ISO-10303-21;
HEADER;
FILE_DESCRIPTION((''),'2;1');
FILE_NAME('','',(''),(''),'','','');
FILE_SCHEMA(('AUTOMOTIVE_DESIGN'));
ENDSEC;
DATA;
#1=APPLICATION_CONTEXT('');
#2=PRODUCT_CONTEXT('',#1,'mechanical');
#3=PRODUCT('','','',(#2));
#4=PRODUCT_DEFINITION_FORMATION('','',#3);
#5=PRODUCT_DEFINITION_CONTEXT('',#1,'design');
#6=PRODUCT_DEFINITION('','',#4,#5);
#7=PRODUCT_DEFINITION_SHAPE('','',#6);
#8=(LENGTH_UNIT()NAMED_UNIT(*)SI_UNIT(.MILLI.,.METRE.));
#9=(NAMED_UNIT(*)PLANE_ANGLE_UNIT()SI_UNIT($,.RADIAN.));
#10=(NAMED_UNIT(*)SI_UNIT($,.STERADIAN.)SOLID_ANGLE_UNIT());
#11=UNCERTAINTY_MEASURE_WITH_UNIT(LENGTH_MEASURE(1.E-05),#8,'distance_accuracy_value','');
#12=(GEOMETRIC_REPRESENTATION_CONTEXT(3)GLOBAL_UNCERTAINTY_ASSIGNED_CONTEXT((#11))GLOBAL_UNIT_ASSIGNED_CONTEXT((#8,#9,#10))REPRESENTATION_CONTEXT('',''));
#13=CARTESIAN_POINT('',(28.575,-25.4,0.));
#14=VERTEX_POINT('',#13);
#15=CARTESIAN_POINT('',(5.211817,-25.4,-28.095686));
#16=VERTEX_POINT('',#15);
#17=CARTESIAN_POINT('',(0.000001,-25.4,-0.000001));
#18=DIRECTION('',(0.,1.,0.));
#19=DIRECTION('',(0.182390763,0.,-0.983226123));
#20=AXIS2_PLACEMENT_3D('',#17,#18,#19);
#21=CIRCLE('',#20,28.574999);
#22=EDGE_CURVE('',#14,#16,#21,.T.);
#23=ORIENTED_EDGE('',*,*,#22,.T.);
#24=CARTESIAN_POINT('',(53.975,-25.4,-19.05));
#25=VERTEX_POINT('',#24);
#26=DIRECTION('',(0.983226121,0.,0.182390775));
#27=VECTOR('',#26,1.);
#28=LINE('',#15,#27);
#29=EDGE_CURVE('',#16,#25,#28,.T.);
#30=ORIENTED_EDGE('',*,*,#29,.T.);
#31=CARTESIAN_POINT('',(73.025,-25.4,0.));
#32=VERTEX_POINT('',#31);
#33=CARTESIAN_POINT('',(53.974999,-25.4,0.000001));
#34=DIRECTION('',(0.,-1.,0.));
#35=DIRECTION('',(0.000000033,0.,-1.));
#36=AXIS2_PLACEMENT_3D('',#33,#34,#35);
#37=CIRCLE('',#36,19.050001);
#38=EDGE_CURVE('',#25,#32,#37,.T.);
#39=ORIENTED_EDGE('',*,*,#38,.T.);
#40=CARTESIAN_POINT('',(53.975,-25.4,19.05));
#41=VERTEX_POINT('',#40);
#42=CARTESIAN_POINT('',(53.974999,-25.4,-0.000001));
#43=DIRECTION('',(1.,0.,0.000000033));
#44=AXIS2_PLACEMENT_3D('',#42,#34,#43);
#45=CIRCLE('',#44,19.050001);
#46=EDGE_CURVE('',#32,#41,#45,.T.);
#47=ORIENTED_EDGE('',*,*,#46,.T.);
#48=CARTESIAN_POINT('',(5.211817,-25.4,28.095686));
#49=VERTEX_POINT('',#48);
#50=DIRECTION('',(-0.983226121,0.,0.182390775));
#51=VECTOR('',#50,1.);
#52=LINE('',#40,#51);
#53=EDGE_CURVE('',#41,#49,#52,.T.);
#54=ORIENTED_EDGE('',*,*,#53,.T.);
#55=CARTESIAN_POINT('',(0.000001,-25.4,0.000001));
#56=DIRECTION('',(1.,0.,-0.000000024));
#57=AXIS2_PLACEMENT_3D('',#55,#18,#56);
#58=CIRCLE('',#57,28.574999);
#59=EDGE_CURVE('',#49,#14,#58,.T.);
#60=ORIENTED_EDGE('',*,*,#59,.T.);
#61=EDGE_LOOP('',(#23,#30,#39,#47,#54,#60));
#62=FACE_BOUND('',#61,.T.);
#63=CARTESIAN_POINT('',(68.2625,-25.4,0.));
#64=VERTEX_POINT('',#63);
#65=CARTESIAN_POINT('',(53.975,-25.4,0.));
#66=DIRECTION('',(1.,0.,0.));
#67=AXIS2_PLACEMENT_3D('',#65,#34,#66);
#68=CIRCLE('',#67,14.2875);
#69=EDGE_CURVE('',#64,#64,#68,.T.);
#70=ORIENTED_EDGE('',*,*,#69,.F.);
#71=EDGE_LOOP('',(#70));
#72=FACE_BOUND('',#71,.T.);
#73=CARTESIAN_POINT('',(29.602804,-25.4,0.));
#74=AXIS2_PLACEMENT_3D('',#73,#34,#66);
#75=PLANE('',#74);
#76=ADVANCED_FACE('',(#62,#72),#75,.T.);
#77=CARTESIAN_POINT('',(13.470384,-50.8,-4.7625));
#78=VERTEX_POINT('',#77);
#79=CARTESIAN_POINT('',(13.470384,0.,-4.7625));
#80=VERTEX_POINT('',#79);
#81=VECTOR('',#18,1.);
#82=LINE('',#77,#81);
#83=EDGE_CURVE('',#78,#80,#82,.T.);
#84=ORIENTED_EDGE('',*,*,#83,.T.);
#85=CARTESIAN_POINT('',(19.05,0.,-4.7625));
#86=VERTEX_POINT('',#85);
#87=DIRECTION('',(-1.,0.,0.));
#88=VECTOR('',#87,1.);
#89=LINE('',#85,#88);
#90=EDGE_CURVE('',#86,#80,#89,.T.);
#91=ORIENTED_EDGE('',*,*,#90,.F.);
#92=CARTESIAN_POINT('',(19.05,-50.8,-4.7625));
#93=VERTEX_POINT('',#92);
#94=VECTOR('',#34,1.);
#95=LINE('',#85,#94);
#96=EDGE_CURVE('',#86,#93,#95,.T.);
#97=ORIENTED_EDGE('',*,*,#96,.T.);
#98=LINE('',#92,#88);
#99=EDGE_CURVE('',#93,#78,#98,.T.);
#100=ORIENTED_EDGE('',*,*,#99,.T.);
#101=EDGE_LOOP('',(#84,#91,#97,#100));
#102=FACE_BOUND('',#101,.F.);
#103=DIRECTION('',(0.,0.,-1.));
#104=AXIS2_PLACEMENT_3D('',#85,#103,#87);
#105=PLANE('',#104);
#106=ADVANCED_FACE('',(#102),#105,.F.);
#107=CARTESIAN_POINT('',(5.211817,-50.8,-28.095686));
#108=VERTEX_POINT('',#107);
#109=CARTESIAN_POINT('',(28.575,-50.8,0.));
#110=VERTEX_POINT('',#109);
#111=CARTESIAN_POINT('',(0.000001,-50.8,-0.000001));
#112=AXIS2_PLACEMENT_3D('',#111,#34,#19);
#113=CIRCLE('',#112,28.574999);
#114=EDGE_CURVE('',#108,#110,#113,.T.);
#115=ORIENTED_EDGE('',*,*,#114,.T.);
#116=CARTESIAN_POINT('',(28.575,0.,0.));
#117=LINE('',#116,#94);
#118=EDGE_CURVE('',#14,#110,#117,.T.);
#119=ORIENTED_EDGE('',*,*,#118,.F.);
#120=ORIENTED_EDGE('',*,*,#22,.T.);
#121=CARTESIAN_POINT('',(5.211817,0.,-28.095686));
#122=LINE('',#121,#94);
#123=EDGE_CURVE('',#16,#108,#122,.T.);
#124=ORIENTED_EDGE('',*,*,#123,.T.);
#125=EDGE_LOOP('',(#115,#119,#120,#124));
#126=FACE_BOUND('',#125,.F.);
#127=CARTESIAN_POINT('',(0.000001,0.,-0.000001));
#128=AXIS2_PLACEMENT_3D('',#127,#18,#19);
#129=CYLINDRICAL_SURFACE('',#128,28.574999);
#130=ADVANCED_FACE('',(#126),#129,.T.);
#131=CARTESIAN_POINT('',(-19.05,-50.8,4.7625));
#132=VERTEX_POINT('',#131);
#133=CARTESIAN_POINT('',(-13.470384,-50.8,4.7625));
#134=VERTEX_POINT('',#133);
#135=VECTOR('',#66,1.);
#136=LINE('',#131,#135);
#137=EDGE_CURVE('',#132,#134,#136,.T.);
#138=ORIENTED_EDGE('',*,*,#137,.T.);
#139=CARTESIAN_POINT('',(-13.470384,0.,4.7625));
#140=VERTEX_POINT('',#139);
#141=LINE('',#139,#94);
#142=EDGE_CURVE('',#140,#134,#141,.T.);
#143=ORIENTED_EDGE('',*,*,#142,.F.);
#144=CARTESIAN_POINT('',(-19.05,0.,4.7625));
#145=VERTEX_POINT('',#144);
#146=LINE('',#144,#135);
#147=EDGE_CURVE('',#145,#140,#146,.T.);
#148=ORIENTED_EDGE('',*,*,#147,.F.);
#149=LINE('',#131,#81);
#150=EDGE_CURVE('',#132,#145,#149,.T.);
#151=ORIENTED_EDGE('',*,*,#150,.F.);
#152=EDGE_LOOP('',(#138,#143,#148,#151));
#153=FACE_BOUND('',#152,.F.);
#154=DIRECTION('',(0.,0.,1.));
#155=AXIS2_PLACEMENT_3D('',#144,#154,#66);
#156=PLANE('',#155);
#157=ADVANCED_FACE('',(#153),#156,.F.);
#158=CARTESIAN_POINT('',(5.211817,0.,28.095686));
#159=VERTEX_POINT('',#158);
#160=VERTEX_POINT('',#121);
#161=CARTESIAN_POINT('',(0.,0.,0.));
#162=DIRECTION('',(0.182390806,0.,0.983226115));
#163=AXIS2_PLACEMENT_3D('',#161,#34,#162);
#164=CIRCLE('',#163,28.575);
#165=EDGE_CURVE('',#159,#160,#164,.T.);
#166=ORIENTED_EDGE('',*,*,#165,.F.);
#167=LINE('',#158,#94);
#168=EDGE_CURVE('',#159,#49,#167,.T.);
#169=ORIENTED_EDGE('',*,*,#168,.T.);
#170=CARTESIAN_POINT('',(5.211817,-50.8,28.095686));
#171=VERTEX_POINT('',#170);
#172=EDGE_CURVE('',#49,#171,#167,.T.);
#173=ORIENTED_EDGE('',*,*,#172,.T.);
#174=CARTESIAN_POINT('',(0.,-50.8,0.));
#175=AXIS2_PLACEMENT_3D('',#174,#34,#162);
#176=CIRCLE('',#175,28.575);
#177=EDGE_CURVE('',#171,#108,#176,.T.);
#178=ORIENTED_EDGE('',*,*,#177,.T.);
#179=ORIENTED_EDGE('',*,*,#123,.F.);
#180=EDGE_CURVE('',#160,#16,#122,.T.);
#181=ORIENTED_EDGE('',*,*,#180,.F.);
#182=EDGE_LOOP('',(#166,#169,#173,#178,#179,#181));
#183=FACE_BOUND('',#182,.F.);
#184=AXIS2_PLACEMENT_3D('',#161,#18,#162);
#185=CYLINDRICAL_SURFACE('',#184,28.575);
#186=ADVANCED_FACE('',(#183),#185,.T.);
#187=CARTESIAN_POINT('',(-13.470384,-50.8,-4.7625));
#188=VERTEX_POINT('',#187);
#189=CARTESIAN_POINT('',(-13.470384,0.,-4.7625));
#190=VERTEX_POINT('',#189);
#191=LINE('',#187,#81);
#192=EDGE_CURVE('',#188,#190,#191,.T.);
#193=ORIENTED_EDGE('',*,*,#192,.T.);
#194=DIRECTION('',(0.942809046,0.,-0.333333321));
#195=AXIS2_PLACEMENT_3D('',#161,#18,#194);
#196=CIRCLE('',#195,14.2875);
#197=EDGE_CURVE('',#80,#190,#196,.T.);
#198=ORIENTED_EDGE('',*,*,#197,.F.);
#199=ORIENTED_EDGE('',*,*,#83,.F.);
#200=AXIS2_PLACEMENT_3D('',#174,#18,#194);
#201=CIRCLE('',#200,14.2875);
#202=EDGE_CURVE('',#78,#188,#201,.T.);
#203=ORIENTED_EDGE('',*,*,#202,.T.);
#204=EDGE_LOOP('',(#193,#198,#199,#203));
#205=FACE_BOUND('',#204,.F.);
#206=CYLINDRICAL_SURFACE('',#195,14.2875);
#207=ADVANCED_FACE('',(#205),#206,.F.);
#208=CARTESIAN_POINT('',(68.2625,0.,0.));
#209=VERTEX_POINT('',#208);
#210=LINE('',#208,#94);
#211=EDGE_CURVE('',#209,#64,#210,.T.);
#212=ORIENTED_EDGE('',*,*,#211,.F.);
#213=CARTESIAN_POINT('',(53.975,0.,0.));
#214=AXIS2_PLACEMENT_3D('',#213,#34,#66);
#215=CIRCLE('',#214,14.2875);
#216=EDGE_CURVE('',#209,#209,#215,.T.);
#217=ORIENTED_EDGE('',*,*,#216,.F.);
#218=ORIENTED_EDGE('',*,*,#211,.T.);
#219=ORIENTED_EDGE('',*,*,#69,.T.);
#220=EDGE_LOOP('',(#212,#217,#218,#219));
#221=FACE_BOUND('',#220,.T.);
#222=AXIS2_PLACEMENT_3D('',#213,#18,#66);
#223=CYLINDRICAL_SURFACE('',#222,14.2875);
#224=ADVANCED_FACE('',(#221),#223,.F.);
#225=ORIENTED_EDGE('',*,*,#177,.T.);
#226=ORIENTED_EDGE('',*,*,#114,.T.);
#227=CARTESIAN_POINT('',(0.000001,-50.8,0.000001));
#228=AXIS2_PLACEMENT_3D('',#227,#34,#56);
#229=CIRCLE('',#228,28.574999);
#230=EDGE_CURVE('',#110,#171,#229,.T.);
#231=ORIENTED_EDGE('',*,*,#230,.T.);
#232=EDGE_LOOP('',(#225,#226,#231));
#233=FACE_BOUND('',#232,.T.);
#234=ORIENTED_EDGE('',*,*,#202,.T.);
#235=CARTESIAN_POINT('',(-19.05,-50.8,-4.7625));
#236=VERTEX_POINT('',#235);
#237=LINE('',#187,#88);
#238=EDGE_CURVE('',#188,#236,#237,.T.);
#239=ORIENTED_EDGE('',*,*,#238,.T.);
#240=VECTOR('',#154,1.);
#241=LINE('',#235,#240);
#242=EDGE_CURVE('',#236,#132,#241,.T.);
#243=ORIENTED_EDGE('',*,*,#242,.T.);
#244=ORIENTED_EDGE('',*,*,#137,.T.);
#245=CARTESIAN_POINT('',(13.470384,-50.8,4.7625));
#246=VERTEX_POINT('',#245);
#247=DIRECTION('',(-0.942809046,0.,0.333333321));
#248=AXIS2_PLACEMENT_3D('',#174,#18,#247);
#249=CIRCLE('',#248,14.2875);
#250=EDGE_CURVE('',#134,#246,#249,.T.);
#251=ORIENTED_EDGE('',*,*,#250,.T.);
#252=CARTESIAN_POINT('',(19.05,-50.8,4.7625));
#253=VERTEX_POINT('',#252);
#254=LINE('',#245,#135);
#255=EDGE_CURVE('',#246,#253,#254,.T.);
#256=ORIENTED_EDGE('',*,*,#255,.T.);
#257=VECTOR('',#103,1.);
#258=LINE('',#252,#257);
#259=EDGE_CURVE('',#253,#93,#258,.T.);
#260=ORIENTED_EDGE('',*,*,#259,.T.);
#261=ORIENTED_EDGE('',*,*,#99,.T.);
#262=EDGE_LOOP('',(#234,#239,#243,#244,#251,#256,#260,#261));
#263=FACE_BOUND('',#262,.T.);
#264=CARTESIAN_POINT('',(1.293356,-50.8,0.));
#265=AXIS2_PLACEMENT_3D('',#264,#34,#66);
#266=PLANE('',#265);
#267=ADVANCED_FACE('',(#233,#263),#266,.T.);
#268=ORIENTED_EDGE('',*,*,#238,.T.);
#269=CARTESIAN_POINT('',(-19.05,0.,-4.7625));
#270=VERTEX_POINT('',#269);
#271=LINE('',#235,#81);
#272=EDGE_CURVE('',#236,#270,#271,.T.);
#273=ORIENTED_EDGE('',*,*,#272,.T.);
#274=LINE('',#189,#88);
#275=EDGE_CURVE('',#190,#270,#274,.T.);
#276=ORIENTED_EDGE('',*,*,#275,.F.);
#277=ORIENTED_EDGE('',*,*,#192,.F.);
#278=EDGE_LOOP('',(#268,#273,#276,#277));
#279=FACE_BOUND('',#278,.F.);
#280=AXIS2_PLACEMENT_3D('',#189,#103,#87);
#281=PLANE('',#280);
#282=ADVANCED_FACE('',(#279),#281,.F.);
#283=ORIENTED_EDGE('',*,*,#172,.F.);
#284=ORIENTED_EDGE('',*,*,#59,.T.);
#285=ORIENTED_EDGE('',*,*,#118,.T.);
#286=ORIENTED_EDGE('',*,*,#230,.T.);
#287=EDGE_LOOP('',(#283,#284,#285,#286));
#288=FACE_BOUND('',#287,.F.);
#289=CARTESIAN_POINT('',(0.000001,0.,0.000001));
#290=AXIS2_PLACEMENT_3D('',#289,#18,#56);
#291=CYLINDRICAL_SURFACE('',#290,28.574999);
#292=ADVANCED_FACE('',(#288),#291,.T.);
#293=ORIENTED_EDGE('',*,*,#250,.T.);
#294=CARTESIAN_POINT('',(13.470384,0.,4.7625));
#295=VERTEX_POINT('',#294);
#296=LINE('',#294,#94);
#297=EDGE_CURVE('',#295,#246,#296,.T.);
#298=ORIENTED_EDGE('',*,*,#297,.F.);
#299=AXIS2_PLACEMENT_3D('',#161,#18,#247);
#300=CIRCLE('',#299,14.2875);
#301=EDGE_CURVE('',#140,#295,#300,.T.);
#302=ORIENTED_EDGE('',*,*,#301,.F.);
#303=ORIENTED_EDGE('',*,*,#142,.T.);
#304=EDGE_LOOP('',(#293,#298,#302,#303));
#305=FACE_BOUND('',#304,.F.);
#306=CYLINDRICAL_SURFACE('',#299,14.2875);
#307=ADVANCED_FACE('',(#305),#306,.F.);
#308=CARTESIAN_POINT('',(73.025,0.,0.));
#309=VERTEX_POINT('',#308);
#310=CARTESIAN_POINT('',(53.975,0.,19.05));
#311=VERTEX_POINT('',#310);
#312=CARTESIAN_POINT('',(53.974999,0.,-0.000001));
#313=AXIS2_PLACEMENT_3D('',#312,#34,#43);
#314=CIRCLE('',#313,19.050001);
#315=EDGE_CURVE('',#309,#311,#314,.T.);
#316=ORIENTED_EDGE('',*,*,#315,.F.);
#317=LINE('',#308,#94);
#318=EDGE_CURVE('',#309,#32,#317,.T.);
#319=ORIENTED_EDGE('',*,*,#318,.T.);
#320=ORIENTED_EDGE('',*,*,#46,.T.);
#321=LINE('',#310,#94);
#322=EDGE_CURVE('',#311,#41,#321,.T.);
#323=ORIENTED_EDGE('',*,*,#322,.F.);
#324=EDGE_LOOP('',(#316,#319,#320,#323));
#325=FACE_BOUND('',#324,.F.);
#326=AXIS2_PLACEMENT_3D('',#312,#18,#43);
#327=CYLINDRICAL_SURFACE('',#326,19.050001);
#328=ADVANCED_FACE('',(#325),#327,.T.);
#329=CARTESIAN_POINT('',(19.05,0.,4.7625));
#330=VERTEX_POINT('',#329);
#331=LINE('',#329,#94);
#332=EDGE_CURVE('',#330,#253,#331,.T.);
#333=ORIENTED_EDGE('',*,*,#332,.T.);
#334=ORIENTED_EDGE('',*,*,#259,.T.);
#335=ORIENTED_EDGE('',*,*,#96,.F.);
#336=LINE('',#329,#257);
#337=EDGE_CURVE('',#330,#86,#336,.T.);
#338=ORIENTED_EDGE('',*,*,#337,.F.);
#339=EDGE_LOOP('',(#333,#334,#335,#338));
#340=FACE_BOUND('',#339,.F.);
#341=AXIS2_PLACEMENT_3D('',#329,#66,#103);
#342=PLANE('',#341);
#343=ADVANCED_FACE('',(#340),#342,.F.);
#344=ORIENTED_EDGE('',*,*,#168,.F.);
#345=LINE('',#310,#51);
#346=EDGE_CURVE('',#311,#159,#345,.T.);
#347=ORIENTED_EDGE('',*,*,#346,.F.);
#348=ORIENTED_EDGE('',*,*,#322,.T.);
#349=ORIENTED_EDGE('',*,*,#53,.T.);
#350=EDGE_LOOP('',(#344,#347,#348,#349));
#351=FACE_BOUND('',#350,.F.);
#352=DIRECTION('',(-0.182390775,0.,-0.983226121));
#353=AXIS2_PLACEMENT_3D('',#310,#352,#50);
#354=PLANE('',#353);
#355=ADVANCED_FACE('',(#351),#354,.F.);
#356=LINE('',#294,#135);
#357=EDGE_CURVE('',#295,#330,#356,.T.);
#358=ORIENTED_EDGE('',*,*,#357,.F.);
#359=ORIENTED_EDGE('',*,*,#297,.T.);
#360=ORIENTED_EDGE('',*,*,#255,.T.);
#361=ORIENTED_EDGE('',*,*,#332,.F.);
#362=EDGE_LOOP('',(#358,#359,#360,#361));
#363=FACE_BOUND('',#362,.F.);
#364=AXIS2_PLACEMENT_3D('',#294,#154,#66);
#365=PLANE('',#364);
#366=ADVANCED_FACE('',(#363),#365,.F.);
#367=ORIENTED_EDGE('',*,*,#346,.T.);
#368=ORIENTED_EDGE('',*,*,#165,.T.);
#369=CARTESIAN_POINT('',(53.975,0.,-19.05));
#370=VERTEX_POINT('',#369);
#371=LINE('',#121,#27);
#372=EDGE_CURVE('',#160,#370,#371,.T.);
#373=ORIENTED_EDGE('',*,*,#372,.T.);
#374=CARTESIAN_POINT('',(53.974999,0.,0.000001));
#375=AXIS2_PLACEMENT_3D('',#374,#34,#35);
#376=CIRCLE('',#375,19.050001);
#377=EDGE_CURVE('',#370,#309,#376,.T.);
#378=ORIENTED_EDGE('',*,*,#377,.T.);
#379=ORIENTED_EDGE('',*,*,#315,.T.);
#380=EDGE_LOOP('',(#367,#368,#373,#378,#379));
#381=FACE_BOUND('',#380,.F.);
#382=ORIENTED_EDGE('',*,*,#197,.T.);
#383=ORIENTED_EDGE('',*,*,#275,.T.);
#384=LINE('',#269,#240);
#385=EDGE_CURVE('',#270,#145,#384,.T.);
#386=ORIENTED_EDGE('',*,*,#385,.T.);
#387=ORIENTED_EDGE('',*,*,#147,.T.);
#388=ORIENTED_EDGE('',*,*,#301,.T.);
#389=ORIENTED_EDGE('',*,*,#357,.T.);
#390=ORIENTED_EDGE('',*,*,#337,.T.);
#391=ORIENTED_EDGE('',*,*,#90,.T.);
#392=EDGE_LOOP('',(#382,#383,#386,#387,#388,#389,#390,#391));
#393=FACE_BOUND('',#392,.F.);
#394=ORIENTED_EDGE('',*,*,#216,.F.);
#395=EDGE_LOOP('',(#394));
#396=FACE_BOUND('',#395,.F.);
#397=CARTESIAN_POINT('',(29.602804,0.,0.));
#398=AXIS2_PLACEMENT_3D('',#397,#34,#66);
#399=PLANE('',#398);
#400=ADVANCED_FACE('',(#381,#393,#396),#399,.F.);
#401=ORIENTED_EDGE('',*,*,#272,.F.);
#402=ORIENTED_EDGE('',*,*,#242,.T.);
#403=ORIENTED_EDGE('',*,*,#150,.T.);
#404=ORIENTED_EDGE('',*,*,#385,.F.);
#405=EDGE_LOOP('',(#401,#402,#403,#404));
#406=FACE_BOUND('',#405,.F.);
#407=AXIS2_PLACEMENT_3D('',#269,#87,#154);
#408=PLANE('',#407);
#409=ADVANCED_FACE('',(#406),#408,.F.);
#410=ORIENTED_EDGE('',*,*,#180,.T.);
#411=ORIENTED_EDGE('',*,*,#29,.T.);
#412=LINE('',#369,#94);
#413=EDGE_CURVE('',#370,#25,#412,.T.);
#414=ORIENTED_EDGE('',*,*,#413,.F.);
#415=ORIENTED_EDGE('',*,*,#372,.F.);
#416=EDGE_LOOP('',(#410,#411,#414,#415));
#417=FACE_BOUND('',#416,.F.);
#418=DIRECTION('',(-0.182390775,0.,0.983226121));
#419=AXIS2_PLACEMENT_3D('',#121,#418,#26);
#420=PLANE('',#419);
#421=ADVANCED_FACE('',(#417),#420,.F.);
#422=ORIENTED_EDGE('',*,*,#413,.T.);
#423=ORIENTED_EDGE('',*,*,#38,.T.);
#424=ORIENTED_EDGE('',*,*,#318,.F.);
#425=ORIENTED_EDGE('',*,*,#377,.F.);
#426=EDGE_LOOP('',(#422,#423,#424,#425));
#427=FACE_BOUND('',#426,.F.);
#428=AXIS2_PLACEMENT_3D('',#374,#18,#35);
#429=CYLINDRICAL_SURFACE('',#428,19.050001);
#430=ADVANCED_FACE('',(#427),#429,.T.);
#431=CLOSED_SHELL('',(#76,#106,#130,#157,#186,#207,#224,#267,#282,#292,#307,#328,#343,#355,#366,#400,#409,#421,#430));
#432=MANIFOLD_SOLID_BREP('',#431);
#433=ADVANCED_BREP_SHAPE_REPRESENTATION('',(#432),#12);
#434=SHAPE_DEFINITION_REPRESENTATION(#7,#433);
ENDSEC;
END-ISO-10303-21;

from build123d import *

# Parameters (mm, degrees)
F0_R     = 14.2875
F1_DEPTH = 25.4
F2_DEPTH = 50.8


with BuildPart() as f1:
    # F0 (on Front) → F1 (new body)
    with BuildSketch(Plane.XZ):
        with BuildLine():
            ThreePointArc((5.211817, 28.095686), (21.971098, 18.270235), (28.575, 0))
            ThreePointArc((28.575, 0), (21.971098, -18.270235), (5.211817, -28.095686))
            Line((5.211817, -28.095686), (53.975, -19.05))
            ThreePointArc((53.975, -19.05), (34.925, 0), (53.975, 19.05))
            Line((53.975, 19.05), (5.211817, 28.095686))
        make_face()
        with BuildLine():
            ThreePointArc((5.211817, -28.095686), (21.971098, -18.270235), (28.575, 0))
            ThreePointArc((28.575, 0), (21.971098, 18.270235), (5.211817, 28.095686))
            ThreePointArc((5.211817, 28.095686), (-28.575, 0), (5.211817, -28.095686))
        make_face()
        with BuildLine():
            ThreePointArc((-13.470384, 4.7625), (0, 14.2875), (13.470384, 4.7625))
            Line((13.470384, 4.7625), (19.05, 4.7625))
            Line((19.05, 4.7625), (19.05, -4.7625))
            Line((19.05, -4.7625), (13.470384, -4.7625))
            ThreePointArc((13.470384, -4.7625), (0, -14.2875), (-13.470384, -4.7625))
            Line((-13.470384, -4.7625), (-19.05, -4.7625))
            Line((-19.05, -4.7625), (-19.05, 4.7625))
            Line((-19.05, 4.7625), (-13.470384, 4.7625))
        make_face(mode=Mode.SUBTRACT)
        with BuildLine():
            ThreePointArc((73.025, 0), (67.445384, 13.470384), (53.975, 19.05))
            ThreePointArc((53.975, 19.05), (34.925, 0), (53.975, -19.05))
            ThreePointArc((53.975, -19.05), (67.445384, -13.470384), (73.025, 0))
        make_face()
        with Locations((53.975, 0)):
            Circle(F0_R, mode=Mode.SUBTRACT)
    extrude(amount=F1_DEPTH)

    # F0 (on Front) → F2 (join)
    with BuildSketch(Plane.XZ):
        with BuildLine():
            ThreePointArc((5.211817, -28.095686), (21.971098, -18.270235), (28.575, 0))
            ThreePointArc((28.575, 0), (21.971098, 18.270235), (5.211817, 28.095686))
            ThreePointArc((5.211817, 28.095686), (-28.575, 0), (5.211817, -28.095686))
        make_face()
        with BuildLine():
            ThreePointArc((-13.470384, 4.7625), (0, 14.2875), (13.470384, 4.7625))
            Line((13.470384, 4.7625), (19.05, 4.7625))
            Line((19.05, 4.7625), (19.05, -4.7625))
            Line((19.05, -4.7625), (13.470384, -4.7625))
            ThreePointArc((13.470384, -4.7625), (0, -14.2875), (-13.470384, -4.7625))
            Line((-13.470384, -4.7625), (-19.05, -4.7625))
            Line((-19.05, -4.7625), (-19.05, 4.7625))
            Line((-19.05, 4.7625), (-13.470384, 4.7625))
        make_face(mode=Mode.SUBTRACT)
    extrude(amount=F2_DEPTH)


solid = f1.part
